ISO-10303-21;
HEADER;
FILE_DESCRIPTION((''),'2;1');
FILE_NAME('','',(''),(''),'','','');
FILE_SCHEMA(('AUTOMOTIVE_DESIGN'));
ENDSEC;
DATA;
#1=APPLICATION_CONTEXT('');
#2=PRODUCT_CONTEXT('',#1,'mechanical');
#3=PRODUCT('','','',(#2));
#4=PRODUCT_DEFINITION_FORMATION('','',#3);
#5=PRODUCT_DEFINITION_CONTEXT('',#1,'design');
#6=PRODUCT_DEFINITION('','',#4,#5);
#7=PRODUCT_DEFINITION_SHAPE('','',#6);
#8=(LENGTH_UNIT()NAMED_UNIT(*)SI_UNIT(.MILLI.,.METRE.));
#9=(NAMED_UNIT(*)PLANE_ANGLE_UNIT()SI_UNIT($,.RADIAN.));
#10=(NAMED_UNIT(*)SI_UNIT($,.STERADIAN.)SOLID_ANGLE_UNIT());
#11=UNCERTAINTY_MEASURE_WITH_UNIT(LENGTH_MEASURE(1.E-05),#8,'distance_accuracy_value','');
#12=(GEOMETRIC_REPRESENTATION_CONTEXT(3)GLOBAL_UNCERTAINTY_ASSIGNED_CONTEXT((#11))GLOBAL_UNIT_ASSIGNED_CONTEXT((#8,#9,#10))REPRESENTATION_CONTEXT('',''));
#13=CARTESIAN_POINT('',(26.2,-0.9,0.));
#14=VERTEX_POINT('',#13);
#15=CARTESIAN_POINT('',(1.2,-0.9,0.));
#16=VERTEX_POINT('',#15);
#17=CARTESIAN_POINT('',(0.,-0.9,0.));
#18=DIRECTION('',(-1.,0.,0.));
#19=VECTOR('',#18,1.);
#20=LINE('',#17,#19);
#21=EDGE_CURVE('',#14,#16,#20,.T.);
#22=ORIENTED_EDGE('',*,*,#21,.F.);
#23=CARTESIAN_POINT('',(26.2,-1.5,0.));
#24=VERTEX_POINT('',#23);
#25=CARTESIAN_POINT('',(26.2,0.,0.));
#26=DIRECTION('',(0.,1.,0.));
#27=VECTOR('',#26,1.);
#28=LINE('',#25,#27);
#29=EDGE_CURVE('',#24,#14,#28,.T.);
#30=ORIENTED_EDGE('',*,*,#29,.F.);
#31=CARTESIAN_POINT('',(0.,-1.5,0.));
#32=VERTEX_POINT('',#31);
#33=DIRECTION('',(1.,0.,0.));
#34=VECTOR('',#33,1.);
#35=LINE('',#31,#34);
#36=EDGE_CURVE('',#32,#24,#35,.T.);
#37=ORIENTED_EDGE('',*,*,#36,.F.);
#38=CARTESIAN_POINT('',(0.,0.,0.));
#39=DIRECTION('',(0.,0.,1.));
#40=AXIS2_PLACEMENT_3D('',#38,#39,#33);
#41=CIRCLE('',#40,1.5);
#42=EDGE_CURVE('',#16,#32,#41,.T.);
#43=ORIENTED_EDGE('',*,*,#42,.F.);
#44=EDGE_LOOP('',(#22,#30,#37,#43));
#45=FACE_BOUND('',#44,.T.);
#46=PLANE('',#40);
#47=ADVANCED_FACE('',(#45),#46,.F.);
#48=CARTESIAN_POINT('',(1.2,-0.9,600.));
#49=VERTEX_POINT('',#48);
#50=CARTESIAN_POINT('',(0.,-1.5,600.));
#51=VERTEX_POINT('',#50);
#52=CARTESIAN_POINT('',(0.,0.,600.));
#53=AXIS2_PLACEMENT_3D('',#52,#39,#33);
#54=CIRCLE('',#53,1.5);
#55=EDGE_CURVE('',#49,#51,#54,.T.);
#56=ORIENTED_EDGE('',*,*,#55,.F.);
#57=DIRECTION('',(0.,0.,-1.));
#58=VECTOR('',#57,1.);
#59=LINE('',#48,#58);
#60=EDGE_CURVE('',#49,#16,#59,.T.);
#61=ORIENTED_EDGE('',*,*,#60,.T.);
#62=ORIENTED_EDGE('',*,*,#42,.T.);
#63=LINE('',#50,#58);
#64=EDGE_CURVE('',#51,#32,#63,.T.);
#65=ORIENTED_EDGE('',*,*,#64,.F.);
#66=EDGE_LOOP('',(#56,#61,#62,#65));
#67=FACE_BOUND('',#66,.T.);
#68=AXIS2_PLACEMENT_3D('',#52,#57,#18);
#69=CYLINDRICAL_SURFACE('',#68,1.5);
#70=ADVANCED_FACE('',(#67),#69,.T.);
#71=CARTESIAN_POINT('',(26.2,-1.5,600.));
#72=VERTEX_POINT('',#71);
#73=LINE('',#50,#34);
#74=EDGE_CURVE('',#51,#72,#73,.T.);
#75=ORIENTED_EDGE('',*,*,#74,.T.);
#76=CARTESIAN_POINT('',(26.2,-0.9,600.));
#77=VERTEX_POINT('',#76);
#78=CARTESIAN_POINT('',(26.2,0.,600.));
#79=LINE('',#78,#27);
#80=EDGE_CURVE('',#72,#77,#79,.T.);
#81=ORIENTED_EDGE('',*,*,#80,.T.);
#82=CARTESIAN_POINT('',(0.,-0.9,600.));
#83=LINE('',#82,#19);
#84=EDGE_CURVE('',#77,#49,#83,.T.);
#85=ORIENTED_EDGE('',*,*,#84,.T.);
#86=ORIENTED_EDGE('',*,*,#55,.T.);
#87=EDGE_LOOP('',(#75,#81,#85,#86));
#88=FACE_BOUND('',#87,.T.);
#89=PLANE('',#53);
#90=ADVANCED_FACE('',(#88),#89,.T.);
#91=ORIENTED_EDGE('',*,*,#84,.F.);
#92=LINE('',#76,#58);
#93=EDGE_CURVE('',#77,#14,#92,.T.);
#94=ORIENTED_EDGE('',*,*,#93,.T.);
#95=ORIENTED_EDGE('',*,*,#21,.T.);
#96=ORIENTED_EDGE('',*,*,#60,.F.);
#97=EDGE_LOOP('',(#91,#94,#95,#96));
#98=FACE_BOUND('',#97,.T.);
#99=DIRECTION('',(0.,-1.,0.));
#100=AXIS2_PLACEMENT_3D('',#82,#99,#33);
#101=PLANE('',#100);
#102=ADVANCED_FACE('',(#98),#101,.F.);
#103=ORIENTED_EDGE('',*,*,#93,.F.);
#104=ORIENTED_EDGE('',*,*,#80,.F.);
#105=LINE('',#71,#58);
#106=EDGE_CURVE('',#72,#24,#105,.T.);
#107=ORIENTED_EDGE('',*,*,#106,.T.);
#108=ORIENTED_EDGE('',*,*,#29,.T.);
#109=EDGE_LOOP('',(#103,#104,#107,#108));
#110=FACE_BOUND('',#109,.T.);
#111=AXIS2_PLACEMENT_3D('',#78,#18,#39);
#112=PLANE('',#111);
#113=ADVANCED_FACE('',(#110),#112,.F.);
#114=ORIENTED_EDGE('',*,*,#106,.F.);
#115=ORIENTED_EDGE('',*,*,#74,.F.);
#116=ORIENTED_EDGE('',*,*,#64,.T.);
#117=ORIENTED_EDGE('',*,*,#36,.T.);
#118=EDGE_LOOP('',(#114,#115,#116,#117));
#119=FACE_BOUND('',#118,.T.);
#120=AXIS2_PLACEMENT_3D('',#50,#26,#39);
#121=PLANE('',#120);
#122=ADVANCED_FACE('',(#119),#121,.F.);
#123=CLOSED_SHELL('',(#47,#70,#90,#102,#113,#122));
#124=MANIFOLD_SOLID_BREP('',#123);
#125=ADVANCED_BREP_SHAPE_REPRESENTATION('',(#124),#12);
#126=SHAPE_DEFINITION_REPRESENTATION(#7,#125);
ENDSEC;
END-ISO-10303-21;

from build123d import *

# Parameters (mm, degrees)
BOSS_EXTRUDE1_DEPTH = 600


with BuildPart() as part:
    # Sketch1 → Boss-Extrude1 (new body)
    with BuildSketch(Plane.XY):
        with BuildLine():
            Line((26.2, -0.9), (1.2, -0.9))
            ThreePointArc((1.2, -0.9), (-0.670820393, 1.341640786), (0, -1.5))
            Line((0, -1.5), (26.2, -1.5))
            Line((26.2, -1.5), (26.2, -0.9))
        make_face()
    extrude(amount=BOSS_EXTRUDE1_DEPTH)


solid = part.part
